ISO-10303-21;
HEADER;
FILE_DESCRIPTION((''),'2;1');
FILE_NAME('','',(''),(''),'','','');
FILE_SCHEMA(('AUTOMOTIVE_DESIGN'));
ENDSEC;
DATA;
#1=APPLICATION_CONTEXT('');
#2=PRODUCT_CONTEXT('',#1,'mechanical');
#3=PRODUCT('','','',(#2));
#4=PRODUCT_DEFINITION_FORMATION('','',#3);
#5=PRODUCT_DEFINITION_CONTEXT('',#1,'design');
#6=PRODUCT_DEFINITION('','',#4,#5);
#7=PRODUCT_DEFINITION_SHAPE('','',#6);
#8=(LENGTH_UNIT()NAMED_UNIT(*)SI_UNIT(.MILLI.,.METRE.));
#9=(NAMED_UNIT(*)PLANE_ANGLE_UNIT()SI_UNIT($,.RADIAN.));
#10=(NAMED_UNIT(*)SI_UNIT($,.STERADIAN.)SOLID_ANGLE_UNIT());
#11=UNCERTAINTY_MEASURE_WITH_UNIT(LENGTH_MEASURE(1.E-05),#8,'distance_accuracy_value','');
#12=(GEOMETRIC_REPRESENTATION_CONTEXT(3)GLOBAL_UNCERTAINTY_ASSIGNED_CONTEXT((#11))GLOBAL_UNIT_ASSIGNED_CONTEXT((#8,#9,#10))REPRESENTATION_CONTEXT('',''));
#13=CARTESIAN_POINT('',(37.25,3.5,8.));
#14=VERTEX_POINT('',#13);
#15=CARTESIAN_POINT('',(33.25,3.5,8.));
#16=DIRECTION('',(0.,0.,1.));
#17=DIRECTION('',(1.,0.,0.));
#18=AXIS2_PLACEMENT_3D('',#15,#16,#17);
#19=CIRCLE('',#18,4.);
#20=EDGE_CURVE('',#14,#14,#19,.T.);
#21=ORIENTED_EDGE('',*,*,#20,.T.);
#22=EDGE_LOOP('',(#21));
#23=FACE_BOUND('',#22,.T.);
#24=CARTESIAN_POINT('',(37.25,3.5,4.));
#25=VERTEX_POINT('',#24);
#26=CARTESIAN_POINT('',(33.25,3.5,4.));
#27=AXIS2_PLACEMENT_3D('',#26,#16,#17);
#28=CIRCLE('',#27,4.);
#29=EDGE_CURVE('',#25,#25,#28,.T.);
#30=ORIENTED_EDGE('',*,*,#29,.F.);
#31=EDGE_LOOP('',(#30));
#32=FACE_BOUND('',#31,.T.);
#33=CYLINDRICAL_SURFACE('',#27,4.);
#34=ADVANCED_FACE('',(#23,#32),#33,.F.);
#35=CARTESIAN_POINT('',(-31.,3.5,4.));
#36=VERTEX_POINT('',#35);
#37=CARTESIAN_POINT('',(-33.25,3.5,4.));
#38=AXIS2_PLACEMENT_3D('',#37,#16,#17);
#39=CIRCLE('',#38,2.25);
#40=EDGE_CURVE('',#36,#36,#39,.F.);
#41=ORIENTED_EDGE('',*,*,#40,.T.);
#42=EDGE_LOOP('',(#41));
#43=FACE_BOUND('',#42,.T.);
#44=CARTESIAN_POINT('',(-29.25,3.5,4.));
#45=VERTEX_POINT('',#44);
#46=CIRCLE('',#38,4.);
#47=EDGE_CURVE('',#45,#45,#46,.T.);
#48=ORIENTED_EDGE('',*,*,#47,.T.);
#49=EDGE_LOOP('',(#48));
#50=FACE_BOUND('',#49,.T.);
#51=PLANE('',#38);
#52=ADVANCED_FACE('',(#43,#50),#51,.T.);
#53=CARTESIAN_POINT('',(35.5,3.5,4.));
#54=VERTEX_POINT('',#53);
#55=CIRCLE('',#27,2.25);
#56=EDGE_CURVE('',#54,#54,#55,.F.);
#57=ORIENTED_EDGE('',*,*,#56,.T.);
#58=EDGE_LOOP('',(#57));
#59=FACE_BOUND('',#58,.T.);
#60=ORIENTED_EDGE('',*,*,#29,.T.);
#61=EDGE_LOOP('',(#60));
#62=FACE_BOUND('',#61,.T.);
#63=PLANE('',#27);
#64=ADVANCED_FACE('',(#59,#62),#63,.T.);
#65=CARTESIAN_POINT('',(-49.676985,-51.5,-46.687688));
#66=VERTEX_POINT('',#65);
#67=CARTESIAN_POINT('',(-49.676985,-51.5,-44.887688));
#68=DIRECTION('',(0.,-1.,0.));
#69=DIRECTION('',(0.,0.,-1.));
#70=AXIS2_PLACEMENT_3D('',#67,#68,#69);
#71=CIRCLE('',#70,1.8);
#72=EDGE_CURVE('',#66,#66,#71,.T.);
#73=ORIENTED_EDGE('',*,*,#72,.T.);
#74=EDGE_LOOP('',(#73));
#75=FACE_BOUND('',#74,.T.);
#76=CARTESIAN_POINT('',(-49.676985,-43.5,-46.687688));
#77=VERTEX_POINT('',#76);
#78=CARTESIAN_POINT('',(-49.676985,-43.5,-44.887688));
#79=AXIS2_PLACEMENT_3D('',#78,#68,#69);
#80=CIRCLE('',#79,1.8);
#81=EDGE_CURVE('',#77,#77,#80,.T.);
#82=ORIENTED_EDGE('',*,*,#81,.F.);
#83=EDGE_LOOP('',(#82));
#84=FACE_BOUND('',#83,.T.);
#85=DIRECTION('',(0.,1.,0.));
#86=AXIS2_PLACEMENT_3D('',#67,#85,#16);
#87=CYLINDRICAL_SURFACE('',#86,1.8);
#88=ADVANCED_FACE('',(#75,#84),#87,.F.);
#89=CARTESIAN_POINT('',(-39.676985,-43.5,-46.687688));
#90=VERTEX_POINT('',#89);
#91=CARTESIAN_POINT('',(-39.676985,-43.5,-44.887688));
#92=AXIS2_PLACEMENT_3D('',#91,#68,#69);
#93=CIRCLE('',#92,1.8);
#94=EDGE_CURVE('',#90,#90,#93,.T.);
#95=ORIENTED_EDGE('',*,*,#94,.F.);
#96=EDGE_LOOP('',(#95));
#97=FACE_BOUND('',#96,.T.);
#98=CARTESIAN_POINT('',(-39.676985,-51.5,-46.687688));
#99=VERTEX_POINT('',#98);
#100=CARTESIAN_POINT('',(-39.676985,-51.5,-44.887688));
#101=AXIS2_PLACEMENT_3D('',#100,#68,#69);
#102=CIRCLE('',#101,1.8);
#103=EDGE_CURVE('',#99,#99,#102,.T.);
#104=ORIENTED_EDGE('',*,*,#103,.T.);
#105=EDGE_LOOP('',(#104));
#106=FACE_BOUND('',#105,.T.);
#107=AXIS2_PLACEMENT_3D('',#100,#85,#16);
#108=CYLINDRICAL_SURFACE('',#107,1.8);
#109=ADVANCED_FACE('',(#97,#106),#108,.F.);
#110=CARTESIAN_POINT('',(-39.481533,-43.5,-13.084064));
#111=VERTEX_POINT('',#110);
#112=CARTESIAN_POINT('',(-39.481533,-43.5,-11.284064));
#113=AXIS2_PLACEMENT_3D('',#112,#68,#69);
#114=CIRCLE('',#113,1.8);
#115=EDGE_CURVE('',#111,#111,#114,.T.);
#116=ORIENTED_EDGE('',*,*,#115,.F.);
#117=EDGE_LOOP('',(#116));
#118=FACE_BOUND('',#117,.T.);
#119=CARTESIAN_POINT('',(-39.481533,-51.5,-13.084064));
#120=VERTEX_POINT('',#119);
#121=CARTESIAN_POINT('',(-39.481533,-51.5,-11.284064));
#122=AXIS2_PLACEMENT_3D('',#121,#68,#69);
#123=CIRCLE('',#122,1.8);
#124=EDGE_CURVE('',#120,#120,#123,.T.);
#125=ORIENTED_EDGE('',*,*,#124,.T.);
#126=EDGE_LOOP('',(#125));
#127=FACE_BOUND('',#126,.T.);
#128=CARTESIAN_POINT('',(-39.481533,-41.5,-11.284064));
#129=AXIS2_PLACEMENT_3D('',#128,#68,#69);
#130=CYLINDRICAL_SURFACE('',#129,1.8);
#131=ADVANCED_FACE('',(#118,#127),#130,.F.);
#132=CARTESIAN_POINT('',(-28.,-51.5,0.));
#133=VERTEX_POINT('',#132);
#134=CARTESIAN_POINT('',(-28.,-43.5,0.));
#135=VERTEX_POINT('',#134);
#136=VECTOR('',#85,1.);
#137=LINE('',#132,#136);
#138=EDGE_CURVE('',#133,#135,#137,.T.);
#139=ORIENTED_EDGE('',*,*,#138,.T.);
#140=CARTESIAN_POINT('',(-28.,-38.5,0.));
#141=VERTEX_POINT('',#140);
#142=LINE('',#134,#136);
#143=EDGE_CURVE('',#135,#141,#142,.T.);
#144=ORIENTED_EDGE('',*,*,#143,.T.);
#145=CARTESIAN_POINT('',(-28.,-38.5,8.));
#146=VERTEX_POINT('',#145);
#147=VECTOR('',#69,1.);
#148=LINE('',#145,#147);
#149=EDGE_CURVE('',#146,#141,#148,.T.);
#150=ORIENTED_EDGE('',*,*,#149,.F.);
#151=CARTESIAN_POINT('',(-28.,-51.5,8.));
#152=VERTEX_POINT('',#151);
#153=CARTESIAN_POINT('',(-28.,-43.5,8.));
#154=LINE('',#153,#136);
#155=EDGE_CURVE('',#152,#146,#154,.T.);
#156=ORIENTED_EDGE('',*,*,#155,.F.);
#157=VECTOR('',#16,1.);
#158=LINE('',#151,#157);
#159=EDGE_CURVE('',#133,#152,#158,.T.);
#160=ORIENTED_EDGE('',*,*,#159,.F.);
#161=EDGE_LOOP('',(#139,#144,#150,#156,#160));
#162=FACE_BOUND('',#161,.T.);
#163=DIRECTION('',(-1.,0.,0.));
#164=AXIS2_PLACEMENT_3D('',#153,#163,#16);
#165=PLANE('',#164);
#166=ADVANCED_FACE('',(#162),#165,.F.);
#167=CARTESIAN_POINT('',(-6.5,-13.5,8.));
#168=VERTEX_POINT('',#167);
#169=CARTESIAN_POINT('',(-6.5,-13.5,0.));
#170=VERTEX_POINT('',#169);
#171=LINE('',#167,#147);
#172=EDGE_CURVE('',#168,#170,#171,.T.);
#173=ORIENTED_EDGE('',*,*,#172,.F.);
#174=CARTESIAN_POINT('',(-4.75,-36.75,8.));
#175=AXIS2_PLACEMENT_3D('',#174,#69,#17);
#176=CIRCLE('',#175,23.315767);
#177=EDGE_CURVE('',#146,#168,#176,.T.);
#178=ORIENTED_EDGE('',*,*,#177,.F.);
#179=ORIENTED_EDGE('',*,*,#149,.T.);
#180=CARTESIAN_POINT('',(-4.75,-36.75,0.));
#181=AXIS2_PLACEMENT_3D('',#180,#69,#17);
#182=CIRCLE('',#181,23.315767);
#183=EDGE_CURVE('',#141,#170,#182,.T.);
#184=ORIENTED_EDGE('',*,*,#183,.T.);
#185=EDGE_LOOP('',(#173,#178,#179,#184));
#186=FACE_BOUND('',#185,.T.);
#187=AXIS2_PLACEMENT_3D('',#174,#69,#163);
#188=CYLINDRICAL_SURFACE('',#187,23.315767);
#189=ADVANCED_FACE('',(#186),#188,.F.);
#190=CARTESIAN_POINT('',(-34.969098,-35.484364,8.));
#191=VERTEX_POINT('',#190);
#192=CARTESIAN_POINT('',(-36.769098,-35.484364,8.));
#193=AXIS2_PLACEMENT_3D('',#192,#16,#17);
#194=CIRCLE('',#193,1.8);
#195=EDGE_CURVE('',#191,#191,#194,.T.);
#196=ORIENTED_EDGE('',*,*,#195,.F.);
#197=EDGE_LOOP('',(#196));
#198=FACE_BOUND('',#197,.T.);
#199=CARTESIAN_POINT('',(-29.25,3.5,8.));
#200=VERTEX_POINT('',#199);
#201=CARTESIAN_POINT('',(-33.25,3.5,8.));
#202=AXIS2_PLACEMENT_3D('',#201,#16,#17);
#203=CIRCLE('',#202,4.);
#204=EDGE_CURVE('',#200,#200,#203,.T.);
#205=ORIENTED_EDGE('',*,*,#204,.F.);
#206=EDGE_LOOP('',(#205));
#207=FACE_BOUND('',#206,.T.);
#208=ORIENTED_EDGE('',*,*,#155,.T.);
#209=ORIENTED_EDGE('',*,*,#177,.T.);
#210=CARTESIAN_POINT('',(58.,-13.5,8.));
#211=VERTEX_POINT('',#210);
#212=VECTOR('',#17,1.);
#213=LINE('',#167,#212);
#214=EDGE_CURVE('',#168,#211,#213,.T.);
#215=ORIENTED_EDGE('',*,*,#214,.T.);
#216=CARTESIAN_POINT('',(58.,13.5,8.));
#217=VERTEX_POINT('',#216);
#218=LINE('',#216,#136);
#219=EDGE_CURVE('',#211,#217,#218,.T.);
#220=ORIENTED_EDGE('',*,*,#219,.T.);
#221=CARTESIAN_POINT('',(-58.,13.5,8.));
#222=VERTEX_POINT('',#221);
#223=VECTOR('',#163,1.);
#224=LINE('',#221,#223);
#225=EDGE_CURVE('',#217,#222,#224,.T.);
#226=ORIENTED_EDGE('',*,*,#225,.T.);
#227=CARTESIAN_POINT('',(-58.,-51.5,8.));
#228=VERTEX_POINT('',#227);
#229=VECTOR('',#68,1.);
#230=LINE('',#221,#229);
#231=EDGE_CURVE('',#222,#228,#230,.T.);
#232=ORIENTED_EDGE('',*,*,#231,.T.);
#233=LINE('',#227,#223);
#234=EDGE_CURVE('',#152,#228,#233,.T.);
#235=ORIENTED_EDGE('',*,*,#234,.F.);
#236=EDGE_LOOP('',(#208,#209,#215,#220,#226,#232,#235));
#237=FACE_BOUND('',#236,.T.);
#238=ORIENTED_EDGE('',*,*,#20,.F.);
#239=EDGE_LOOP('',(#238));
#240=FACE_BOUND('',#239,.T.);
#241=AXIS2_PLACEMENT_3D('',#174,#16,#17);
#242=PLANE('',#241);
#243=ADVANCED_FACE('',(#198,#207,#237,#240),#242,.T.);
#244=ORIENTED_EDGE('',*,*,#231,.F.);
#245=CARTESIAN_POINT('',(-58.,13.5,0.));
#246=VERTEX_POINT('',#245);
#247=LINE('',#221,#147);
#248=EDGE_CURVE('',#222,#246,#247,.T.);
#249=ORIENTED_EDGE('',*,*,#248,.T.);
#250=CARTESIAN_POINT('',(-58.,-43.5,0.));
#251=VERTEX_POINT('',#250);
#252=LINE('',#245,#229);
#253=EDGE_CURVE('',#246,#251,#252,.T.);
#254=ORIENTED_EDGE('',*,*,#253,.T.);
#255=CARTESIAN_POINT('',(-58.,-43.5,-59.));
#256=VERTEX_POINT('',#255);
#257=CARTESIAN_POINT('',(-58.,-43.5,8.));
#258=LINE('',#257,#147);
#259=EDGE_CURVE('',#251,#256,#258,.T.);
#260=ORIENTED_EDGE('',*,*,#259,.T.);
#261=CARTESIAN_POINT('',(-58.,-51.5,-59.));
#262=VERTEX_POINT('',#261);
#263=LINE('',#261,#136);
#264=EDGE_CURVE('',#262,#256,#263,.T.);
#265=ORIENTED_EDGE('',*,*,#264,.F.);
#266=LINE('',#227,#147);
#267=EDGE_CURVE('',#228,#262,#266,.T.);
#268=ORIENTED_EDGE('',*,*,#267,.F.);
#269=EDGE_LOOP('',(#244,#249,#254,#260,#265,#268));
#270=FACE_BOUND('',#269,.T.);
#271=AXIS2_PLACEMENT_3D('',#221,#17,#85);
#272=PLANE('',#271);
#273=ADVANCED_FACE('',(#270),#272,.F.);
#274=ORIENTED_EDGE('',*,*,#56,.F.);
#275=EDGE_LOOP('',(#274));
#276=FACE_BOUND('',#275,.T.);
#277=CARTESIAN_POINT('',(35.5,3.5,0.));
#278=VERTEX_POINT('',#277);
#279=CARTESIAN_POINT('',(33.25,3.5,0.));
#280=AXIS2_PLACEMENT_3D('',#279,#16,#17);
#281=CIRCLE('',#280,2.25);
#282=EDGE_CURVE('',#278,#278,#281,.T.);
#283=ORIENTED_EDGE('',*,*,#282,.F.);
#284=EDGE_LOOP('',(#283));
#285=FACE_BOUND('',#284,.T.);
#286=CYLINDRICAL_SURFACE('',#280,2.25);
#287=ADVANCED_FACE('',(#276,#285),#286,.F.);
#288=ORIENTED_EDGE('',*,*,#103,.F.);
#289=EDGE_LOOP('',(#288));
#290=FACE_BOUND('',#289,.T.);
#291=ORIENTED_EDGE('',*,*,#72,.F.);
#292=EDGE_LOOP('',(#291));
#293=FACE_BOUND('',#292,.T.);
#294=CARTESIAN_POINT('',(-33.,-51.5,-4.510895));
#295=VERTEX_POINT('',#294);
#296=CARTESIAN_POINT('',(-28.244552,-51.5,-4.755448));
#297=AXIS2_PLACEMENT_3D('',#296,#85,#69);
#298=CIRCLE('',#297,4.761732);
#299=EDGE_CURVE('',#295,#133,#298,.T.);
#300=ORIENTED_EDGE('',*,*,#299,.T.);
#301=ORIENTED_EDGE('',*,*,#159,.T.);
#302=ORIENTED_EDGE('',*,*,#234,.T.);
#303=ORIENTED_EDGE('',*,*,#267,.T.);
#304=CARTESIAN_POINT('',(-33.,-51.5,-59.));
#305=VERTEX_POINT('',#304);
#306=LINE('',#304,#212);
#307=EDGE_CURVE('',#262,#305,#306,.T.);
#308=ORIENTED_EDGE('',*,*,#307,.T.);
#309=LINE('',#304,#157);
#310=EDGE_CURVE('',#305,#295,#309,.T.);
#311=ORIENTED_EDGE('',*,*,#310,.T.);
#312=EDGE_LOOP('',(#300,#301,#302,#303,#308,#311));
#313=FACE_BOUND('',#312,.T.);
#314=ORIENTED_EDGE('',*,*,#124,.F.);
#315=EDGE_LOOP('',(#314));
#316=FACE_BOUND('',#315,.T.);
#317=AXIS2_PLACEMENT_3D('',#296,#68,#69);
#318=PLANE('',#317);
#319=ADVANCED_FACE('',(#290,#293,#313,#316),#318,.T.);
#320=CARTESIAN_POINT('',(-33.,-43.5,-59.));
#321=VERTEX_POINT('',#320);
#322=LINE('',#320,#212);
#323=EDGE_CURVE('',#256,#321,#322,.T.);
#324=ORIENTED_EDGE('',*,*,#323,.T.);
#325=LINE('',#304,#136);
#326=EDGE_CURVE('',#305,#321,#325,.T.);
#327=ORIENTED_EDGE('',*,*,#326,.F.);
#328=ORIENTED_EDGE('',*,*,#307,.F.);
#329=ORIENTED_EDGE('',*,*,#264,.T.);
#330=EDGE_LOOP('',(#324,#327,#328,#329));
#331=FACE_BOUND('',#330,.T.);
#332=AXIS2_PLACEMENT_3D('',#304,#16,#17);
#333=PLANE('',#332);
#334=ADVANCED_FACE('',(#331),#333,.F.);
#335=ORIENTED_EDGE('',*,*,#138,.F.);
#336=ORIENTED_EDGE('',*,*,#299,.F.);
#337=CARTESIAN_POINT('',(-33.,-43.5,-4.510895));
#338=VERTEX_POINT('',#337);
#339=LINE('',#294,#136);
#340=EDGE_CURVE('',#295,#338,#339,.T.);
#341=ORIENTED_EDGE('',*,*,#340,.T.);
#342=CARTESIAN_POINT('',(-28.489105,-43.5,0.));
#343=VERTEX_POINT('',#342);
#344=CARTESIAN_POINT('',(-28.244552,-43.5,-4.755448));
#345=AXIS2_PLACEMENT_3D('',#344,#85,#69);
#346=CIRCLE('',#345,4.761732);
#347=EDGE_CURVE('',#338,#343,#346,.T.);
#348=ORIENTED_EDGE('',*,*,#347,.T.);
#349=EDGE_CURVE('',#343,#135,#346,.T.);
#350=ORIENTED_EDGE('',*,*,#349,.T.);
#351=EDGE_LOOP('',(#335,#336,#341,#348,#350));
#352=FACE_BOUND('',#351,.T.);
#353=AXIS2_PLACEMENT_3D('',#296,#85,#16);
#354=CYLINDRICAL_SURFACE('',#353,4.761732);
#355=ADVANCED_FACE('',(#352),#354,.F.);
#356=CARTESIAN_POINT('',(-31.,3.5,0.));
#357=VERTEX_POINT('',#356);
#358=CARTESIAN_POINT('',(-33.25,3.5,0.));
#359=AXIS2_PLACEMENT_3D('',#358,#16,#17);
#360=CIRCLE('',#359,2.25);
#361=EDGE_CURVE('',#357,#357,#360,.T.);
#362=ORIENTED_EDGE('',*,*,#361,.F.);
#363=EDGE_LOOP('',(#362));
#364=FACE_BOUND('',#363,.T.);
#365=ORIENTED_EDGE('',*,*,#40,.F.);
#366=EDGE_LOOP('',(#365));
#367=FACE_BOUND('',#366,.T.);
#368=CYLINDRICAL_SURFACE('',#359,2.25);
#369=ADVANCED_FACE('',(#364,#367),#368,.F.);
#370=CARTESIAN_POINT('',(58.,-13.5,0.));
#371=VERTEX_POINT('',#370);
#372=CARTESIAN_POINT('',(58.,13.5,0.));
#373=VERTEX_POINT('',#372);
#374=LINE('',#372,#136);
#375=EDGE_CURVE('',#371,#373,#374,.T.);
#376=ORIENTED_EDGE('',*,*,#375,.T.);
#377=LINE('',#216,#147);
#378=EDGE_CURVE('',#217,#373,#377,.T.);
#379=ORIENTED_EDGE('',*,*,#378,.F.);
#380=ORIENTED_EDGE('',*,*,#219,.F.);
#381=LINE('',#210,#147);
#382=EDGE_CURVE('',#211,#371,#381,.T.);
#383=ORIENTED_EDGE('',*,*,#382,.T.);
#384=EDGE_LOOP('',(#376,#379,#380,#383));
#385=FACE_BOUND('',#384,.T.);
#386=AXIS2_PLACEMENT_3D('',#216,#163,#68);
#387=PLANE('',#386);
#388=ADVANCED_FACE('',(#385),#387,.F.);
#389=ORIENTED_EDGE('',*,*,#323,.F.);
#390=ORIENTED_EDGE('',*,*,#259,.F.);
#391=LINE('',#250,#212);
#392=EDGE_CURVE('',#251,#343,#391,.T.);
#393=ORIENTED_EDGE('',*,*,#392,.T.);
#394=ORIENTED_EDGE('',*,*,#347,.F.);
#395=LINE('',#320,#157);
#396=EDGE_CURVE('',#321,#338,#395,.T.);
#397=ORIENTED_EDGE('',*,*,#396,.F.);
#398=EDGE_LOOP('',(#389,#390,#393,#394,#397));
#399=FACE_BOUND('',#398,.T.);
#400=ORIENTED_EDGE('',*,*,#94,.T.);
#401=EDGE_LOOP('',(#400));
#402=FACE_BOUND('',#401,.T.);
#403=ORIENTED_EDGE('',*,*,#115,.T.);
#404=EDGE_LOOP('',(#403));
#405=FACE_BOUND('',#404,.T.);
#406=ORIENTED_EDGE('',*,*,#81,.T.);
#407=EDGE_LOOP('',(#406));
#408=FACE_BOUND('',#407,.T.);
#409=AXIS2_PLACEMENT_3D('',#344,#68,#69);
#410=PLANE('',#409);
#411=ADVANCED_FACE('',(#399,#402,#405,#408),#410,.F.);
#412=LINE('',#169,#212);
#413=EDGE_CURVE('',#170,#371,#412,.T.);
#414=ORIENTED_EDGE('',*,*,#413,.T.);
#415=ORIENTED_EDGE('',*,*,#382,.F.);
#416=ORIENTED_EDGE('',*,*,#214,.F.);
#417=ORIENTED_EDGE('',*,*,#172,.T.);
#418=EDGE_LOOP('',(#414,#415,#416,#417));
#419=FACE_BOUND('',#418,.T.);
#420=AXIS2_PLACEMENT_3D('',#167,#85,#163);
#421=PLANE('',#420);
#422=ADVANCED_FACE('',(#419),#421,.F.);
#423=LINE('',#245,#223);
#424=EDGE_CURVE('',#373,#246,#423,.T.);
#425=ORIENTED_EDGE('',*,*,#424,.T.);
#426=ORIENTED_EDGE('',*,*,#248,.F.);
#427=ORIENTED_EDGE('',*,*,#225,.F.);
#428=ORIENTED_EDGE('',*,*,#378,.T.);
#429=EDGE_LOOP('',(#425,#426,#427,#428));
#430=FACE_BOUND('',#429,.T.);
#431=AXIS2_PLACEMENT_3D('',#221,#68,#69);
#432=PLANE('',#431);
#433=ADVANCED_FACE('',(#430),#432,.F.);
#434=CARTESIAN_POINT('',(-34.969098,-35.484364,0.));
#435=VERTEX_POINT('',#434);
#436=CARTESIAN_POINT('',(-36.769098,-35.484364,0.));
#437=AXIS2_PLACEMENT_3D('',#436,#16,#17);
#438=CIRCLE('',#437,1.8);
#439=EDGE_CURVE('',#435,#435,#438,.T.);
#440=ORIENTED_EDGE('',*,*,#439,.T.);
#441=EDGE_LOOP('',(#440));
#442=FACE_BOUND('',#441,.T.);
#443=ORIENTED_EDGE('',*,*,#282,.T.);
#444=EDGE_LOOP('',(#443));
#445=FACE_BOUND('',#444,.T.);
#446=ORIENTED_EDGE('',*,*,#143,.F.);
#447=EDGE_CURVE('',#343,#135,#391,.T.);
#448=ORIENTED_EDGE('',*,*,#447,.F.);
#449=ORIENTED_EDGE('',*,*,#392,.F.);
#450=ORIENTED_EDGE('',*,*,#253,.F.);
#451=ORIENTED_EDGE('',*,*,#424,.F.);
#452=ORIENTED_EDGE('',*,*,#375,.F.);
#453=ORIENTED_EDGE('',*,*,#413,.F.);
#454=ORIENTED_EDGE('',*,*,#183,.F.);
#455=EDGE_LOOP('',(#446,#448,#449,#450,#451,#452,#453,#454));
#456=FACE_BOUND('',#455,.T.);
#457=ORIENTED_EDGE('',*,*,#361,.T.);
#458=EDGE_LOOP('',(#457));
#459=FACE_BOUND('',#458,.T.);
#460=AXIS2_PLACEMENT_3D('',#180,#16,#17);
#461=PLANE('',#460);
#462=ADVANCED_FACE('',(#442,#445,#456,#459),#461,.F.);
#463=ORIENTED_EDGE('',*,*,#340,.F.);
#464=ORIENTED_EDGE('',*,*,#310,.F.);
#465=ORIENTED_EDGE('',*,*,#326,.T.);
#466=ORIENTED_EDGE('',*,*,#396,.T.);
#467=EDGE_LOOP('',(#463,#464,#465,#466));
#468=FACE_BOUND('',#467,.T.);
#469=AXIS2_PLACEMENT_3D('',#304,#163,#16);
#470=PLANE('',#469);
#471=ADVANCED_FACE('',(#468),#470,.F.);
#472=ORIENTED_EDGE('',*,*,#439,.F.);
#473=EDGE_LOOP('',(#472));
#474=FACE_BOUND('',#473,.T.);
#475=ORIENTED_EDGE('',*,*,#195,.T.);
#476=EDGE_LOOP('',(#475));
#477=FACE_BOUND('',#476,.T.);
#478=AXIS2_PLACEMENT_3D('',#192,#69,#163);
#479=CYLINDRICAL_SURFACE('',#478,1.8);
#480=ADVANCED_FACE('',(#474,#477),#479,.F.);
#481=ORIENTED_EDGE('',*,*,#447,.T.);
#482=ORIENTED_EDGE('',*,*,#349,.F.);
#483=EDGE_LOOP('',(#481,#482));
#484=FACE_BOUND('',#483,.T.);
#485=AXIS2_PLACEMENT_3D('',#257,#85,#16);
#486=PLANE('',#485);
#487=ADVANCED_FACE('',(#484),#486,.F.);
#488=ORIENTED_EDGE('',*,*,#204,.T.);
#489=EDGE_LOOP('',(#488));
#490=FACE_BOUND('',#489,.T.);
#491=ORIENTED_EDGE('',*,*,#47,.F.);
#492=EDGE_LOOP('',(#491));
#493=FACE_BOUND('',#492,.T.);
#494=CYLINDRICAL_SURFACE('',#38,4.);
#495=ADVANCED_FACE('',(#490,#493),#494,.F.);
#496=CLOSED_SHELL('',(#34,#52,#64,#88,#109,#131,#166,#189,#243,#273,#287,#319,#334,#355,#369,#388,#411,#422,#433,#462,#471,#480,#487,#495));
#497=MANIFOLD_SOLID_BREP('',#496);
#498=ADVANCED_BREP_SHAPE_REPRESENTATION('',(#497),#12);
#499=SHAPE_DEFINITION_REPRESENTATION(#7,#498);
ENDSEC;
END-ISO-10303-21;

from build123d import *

# Parameters (mm, degrees)
SKETCH_1_R          = 1.8
EXTRUDE_1_DEPTH     = 8
SKETCH_3_R          = 2.25
CUT_EXTRUDE_1_DEPTH = 9
SKETCH_5_R          = 1.8
EXTRUDE_3_DEPTH     = 8
SKETCH_17_R         = 1.8
CUT_EXTRUDE_8_DEPTH = 10
SKETCH_18_R         = 4
CUT_EXTRUDE_9_DEPTH = 4


with BuildPart() as part:
    # 草图1 → 凸台-拉伸1 (new body)
    with BuildSketch(Plane.XY):
        with BuildLine():
            Line((58, 13.5), (58, -13.5))
            Line((58, -13.5), (-6.5, -13.5))
            ThreePointArc((-6.5, -13.5), (-22.42766953, -21.547204204), (-28, -38.5))
            Line((-28, -38.5), (-28, -43.5))
            Line((-28, -43.5), (-58, -43.5))
            Line((-58, -43.5), (-58, 13.5))
            Line((-58, 13.5), (58, 13.5))
        make_face()
        with Locations((-36.769098454, -35.48436381)):
            Circle(SKETCH_1_R, mode=Mode.SUBTRACT)
    extrude(amount=EXTRUDE_1_DEPTH)

    # 草图3 → 切除-拉伸1 (cut, through all)
    with BuildSketch(Plane.XY.offset(8)):
        with Locations((-33.25, 3.5)):
            Circle(SKETCH_3_R)
        with Locations((33.25, 3.5)):
            Circle(SKETCH_3_R)
    extrude(amount=-CUT_EXTRUDE_1_DEPTH, mode=Mode.SUBTRACT)

    # 草图5 → 凸台-拉伸3 (add)
    with BuildSketch(Plane.XZ.offset(43.5)):
        with BuildLine():
            Line((-33, -59), (-58, -59))
            Line((-58, -59), (-58, 8))
            Line((-58, 8), (-28, 8))
            Line((-28, 8), (-28, 0))
            ThreePointArc((-28, 0), (-31.434237008, -1.219913748), (-33, -4.510895309))
            Line((-33, -4.510895309), (-33, -59))
        make_face()
        with Locations((-49.676985034, -44.88768769)):
            Circle(SKETCH_5_R, mode=Mode.SUBTRACT)
        with Locations((-39.676985034, -44.88768769)):
            Circle(SKETCH_5_R, mode=Mode.SUBTRACT)
    extrude(amount=EXTRUDE_3_DEPTH)

    # 草图17 → 切除-拉伸8 (cut)
    with BuildSketch(Plane.XZ.offset(51.5)):
        with Locations((-39.481532593, -11.284064148)):
            Circle(SKETCH_17_R)
    extrude(amount=-CUT_EXTRUDE_8_DEPTH, mode=Mode.SUBTRACT)

    # 草图18 → 切除-拉伸9 (cut)
    with BuildSketch(Plane.XY.offset(8)):
        with Locations((-33.25, 3.5)):
            Circle(SKETCH_18_R)
        with Locations((33.25, 3.5)):
            Circle(SKETCH_18_R)
    extrude(amount=-CUT_EXTRUDE_9_DEPTH, mode=Mode.SUBTRACT)


solid = part.part
